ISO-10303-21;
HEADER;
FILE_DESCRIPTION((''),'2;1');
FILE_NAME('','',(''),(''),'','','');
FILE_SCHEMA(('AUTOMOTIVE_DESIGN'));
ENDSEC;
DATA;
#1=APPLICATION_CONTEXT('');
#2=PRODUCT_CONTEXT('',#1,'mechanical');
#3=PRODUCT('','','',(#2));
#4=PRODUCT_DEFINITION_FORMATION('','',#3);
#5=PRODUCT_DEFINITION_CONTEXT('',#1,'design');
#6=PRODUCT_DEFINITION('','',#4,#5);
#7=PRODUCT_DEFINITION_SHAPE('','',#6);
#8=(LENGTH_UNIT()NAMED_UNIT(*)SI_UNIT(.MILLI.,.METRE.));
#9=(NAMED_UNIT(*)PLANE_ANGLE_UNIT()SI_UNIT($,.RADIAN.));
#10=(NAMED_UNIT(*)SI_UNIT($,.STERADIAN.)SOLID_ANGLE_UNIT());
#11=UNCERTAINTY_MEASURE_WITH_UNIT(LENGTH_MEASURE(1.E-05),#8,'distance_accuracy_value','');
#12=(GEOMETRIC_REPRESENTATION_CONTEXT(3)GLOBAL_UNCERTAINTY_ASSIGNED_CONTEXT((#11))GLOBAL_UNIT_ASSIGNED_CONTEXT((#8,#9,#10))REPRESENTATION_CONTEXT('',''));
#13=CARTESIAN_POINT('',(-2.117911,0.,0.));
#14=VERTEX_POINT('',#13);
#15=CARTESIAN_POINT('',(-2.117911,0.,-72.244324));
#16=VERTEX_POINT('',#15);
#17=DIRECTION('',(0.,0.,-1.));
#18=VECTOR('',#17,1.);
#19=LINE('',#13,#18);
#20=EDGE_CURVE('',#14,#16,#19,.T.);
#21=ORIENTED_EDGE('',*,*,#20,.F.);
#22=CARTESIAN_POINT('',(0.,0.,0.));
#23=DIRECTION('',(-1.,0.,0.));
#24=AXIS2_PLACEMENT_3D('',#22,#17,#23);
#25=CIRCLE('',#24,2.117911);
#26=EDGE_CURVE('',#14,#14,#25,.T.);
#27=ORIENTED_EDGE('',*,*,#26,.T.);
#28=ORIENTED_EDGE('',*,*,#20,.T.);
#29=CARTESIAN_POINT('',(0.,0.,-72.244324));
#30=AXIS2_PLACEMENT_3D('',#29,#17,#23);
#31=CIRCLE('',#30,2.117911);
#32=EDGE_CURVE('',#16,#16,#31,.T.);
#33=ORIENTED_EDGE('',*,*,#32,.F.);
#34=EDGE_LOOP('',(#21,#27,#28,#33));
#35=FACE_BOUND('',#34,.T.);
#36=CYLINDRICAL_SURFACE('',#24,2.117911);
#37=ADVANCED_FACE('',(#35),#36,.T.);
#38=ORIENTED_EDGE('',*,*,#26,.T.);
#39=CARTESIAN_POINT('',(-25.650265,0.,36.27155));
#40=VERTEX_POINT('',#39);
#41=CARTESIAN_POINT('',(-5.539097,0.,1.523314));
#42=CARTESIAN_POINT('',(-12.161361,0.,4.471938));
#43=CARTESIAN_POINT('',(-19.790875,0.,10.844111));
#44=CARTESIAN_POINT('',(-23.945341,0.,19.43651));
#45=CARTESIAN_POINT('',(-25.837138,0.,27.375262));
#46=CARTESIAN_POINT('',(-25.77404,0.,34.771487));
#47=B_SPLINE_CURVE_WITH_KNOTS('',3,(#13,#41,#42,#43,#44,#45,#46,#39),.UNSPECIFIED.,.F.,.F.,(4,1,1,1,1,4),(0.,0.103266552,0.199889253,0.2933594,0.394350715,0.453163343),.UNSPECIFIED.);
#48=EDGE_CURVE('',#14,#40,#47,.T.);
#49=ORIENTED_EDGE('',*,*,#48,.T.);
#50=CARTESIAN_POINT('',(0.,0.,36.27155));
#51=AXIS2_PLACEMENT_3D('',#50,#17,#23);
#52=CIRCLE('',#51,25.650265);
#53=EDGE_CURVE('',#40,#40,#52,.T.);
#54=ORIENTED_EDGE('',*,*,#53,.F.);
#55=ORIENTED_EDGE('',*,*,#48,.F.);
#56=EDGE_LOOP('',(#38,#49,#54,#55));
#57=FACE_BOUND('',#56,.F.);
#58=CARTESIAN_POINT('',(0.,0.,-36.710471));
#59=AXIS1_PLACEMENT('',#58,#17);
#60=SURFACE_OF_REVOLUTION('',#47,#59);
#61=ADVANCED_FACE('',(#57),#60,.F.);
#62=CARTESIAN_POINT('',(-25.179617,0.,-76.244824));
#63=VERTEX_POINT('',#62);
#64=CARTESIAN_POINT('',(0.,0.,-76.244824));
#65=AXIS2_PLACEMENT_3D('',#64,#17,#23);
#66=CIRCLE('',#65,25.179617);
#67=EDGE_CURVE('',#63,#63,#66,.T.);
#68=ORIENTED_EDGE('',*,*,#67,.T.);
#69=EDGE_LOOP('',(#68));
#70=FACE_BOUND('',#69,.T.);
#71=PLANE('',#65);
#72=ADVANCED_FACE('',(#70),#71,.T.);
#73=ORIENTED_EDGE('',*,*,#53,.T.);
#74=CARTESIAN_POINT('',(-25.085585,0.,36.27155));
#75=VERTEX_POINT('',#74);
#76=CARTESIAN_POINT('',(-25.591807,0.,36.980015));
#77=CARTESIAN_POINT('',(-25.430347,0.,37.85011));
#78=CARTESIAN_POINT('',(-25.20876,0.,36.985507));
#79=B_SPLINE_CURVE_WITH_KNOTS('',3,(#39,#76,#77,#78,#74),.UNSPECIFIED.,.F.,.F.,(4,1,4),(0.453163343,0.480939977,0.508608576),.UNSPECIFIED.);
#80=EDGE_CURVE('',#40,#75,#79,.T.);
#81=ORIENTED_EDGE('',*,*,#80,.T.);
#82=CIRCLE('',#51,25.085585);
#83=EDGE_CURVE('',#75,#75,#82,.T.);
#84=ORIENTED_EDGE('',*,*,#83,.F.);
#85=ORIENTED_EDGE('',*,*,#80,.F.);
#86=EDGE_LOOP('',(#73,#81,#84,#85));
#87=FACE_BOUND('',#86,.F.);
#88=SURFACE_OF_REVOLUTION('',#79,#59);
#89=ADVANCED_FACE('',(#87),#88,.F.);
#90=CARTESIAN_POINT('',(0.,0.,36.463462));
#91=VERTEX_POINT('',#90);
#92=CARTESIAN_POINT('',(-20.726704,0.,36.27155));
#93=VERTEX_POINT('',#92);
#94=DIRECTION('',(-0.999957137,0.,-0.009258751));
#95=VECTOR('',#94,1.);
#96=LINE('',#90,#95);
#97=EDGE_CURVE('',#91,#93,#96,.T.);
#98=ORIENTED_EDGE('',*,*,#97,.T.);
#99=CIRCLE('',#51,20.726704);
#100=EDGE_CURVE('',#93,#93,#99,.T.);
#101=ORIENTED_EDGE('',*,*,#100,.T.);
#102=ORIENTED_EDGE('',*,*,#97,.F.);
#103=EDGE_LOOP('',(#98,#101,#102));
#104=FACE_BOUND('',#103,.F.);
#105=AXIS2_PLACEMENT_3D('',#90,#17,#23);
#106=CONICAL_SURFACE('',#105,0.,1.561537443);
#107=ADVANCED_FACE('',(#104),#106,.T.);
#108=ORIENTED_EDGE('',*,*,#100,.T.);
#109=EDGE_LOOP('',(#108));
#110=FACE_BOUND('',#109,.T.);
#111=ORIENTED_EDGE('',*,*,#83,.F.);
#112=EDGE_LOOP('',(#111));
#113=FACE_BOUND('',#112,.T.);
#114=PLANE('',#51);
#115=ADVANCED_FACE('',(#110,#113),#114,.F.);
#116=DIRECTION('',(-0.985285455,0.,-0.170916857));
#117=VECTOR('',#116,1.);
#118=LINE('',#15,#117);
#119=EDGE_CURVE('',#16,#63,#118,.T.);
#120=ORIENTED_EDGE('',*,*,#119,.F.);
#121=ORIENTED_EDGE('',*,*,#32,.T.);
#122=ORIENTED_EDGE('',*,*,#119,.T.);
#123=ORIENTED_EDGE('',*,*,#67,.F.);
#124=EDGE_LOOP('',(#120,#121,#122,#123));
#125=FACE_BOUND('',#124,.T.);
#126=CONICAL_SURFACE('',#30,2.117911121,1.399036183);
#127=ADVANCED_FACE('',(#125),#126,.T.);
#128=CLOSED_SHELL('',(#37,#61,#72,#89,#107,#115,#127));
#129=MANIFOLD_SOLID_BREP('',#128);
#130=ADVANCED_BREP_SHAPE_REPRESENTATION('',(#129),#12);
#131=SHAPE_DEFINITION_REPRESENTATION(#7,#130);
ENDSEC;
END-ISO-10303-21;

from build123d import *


with BuildPart() as f1:
    # F0 (on Front) → F1 (revolve)
    with BuildSketch(Plane.XZ):
        with BuildLine():
            Line((-25.1796171069, -76.2448236346), (0, -76.2448236346))
            Line((0, -76.2448236346), (0, 2.8238825034))
            add(Edge.make_bspline(
                [(-25.0855854743, 36.2715501967), (-24.7873408797, 34.5428383564), (-23.8322821472, 25.854874243), (-21.9733024606, 17.2890100088), (-16.5923022967, 10.0196109812), (-10.4980028761, 6.1702704011), (-4.9043637619, 2.8435662249), (-1.5542692873, 2.8301205815), (0, 2.8238825034)],
                knots=[0.5086085758, 0.5086085758, 0.5086085758, 0.5086085758, 0.5756028274, 0.6805602209, 0.770733837, 0.8543757753, 0.9324379472, 1, 1, 1, 1], degree=3))
            Line((-25.0855854743, 36.2715501967), (-25.6502646953, 36.2715501967))
            add(Edge.make_bspline(
                [(-2.1179111209, 0), (-5.5390971994, 1.5233143532), (-12.1613608248, 4.4719377254), (-19.7908754961, 10.8441105754), (-23.9453410686, 19.4365102004), (-25.8371380581, 27.3752615696), (-25.7740402847, 34.7714871933), (-25.6502646953, 36.2715501967)],
                knots=[0, 0, 0, 0, 0.103266552, 0.1998892534, 0.2933593997, 0.3943507151, 0.4531633432, 0.4531633432, 0.4531633432, 0.4531633432], degree=3))
            Line((-2.1179111209, 0), (-2.1179111209, -72.2443237901))
            Line((-2.1179111209, -72.2443237901), (-25.1796171069, -76.2448236346))
        make_face()
        with BuildLine():
            add(Edge.make_bspline(
                [(-25.0855854743, 36.2715501967), (-24.7873408797, 34.5428383564), (-23.8322821472, 25.854874243), (-21.9733024606, 17.2890100088), (-16.5923022967, 10.0196109812), (-10.4980028761, 6.1702704011), (-4.9043637619, 2.8435662249), (-1.5542692873, 2.8301205815), (0, 2.8238825034)],
                knots=[0.5086085758, 0.5086085758, 0.5086085758, 0.5086085758, 0.5756028274, 0.6805602209, 0.770733837, 0.8543757753, 0.9324379472, 1, 1, 1, 1], degree=3))
            Line((0, 2.8238825034), (0, 36.2715501967))
            Line((0, 36.2715501967), (-25.0855854743, 36.2715501967))
        make_face()
        with BuildLine():
            Line((-25.6502646953, 36.2715501967), (-25.0855854743, 36.2715501967))
            add(Edge.make_bspline(
                [(-25.6502646953, 36.2715501967), (-25.5918066847, 36.9800154071), (-25.4303466183, 37.8501101521), (-25.208760371, 36.9855074858), (-25.0855854743, 36.2715501967)],
                knots=[0.4531633432, 0.4531633432, 0.4531633432, 0.4531633432, 0.4809399771, 0.5086085758, 0.5086085758, 0.5086085758, 0.5086085758], degree=3))
        make_face()
    revolve(axis=Axis((0, 0, -36.7104705656), (0, 0, -1)))

    # F2 (on Front) → F3 (revolve)
    with BuildSketch(Plane.XZ):
        with BuildLine():
            add(Edge.make_bspline(
                [(-25.4224166274, 36.2280718982), (-24.9912352181, 33.0922978333), (-24.0591614317, 26.313775515), (-18.6376344636, 13.0544648307), (-9.1480261036, 8.1150042878), (-3.128793235, 2.7754807682), (0, 0)],
                knots=[0, 0, 0, 0, 0.2336923695, 0.5051667976, 0.742786031, 1, 1, 1, 1], degree=3))
            Line((0, 0), (0, 36.4634618163))
            Line((0, 36.4634618163), (-25.4224166274, 36.2280718982))
        make_face()
    revolve(axis=Axis((0, 0, 18.2317309082), (0, 0, 1)))


solid = f1.part
